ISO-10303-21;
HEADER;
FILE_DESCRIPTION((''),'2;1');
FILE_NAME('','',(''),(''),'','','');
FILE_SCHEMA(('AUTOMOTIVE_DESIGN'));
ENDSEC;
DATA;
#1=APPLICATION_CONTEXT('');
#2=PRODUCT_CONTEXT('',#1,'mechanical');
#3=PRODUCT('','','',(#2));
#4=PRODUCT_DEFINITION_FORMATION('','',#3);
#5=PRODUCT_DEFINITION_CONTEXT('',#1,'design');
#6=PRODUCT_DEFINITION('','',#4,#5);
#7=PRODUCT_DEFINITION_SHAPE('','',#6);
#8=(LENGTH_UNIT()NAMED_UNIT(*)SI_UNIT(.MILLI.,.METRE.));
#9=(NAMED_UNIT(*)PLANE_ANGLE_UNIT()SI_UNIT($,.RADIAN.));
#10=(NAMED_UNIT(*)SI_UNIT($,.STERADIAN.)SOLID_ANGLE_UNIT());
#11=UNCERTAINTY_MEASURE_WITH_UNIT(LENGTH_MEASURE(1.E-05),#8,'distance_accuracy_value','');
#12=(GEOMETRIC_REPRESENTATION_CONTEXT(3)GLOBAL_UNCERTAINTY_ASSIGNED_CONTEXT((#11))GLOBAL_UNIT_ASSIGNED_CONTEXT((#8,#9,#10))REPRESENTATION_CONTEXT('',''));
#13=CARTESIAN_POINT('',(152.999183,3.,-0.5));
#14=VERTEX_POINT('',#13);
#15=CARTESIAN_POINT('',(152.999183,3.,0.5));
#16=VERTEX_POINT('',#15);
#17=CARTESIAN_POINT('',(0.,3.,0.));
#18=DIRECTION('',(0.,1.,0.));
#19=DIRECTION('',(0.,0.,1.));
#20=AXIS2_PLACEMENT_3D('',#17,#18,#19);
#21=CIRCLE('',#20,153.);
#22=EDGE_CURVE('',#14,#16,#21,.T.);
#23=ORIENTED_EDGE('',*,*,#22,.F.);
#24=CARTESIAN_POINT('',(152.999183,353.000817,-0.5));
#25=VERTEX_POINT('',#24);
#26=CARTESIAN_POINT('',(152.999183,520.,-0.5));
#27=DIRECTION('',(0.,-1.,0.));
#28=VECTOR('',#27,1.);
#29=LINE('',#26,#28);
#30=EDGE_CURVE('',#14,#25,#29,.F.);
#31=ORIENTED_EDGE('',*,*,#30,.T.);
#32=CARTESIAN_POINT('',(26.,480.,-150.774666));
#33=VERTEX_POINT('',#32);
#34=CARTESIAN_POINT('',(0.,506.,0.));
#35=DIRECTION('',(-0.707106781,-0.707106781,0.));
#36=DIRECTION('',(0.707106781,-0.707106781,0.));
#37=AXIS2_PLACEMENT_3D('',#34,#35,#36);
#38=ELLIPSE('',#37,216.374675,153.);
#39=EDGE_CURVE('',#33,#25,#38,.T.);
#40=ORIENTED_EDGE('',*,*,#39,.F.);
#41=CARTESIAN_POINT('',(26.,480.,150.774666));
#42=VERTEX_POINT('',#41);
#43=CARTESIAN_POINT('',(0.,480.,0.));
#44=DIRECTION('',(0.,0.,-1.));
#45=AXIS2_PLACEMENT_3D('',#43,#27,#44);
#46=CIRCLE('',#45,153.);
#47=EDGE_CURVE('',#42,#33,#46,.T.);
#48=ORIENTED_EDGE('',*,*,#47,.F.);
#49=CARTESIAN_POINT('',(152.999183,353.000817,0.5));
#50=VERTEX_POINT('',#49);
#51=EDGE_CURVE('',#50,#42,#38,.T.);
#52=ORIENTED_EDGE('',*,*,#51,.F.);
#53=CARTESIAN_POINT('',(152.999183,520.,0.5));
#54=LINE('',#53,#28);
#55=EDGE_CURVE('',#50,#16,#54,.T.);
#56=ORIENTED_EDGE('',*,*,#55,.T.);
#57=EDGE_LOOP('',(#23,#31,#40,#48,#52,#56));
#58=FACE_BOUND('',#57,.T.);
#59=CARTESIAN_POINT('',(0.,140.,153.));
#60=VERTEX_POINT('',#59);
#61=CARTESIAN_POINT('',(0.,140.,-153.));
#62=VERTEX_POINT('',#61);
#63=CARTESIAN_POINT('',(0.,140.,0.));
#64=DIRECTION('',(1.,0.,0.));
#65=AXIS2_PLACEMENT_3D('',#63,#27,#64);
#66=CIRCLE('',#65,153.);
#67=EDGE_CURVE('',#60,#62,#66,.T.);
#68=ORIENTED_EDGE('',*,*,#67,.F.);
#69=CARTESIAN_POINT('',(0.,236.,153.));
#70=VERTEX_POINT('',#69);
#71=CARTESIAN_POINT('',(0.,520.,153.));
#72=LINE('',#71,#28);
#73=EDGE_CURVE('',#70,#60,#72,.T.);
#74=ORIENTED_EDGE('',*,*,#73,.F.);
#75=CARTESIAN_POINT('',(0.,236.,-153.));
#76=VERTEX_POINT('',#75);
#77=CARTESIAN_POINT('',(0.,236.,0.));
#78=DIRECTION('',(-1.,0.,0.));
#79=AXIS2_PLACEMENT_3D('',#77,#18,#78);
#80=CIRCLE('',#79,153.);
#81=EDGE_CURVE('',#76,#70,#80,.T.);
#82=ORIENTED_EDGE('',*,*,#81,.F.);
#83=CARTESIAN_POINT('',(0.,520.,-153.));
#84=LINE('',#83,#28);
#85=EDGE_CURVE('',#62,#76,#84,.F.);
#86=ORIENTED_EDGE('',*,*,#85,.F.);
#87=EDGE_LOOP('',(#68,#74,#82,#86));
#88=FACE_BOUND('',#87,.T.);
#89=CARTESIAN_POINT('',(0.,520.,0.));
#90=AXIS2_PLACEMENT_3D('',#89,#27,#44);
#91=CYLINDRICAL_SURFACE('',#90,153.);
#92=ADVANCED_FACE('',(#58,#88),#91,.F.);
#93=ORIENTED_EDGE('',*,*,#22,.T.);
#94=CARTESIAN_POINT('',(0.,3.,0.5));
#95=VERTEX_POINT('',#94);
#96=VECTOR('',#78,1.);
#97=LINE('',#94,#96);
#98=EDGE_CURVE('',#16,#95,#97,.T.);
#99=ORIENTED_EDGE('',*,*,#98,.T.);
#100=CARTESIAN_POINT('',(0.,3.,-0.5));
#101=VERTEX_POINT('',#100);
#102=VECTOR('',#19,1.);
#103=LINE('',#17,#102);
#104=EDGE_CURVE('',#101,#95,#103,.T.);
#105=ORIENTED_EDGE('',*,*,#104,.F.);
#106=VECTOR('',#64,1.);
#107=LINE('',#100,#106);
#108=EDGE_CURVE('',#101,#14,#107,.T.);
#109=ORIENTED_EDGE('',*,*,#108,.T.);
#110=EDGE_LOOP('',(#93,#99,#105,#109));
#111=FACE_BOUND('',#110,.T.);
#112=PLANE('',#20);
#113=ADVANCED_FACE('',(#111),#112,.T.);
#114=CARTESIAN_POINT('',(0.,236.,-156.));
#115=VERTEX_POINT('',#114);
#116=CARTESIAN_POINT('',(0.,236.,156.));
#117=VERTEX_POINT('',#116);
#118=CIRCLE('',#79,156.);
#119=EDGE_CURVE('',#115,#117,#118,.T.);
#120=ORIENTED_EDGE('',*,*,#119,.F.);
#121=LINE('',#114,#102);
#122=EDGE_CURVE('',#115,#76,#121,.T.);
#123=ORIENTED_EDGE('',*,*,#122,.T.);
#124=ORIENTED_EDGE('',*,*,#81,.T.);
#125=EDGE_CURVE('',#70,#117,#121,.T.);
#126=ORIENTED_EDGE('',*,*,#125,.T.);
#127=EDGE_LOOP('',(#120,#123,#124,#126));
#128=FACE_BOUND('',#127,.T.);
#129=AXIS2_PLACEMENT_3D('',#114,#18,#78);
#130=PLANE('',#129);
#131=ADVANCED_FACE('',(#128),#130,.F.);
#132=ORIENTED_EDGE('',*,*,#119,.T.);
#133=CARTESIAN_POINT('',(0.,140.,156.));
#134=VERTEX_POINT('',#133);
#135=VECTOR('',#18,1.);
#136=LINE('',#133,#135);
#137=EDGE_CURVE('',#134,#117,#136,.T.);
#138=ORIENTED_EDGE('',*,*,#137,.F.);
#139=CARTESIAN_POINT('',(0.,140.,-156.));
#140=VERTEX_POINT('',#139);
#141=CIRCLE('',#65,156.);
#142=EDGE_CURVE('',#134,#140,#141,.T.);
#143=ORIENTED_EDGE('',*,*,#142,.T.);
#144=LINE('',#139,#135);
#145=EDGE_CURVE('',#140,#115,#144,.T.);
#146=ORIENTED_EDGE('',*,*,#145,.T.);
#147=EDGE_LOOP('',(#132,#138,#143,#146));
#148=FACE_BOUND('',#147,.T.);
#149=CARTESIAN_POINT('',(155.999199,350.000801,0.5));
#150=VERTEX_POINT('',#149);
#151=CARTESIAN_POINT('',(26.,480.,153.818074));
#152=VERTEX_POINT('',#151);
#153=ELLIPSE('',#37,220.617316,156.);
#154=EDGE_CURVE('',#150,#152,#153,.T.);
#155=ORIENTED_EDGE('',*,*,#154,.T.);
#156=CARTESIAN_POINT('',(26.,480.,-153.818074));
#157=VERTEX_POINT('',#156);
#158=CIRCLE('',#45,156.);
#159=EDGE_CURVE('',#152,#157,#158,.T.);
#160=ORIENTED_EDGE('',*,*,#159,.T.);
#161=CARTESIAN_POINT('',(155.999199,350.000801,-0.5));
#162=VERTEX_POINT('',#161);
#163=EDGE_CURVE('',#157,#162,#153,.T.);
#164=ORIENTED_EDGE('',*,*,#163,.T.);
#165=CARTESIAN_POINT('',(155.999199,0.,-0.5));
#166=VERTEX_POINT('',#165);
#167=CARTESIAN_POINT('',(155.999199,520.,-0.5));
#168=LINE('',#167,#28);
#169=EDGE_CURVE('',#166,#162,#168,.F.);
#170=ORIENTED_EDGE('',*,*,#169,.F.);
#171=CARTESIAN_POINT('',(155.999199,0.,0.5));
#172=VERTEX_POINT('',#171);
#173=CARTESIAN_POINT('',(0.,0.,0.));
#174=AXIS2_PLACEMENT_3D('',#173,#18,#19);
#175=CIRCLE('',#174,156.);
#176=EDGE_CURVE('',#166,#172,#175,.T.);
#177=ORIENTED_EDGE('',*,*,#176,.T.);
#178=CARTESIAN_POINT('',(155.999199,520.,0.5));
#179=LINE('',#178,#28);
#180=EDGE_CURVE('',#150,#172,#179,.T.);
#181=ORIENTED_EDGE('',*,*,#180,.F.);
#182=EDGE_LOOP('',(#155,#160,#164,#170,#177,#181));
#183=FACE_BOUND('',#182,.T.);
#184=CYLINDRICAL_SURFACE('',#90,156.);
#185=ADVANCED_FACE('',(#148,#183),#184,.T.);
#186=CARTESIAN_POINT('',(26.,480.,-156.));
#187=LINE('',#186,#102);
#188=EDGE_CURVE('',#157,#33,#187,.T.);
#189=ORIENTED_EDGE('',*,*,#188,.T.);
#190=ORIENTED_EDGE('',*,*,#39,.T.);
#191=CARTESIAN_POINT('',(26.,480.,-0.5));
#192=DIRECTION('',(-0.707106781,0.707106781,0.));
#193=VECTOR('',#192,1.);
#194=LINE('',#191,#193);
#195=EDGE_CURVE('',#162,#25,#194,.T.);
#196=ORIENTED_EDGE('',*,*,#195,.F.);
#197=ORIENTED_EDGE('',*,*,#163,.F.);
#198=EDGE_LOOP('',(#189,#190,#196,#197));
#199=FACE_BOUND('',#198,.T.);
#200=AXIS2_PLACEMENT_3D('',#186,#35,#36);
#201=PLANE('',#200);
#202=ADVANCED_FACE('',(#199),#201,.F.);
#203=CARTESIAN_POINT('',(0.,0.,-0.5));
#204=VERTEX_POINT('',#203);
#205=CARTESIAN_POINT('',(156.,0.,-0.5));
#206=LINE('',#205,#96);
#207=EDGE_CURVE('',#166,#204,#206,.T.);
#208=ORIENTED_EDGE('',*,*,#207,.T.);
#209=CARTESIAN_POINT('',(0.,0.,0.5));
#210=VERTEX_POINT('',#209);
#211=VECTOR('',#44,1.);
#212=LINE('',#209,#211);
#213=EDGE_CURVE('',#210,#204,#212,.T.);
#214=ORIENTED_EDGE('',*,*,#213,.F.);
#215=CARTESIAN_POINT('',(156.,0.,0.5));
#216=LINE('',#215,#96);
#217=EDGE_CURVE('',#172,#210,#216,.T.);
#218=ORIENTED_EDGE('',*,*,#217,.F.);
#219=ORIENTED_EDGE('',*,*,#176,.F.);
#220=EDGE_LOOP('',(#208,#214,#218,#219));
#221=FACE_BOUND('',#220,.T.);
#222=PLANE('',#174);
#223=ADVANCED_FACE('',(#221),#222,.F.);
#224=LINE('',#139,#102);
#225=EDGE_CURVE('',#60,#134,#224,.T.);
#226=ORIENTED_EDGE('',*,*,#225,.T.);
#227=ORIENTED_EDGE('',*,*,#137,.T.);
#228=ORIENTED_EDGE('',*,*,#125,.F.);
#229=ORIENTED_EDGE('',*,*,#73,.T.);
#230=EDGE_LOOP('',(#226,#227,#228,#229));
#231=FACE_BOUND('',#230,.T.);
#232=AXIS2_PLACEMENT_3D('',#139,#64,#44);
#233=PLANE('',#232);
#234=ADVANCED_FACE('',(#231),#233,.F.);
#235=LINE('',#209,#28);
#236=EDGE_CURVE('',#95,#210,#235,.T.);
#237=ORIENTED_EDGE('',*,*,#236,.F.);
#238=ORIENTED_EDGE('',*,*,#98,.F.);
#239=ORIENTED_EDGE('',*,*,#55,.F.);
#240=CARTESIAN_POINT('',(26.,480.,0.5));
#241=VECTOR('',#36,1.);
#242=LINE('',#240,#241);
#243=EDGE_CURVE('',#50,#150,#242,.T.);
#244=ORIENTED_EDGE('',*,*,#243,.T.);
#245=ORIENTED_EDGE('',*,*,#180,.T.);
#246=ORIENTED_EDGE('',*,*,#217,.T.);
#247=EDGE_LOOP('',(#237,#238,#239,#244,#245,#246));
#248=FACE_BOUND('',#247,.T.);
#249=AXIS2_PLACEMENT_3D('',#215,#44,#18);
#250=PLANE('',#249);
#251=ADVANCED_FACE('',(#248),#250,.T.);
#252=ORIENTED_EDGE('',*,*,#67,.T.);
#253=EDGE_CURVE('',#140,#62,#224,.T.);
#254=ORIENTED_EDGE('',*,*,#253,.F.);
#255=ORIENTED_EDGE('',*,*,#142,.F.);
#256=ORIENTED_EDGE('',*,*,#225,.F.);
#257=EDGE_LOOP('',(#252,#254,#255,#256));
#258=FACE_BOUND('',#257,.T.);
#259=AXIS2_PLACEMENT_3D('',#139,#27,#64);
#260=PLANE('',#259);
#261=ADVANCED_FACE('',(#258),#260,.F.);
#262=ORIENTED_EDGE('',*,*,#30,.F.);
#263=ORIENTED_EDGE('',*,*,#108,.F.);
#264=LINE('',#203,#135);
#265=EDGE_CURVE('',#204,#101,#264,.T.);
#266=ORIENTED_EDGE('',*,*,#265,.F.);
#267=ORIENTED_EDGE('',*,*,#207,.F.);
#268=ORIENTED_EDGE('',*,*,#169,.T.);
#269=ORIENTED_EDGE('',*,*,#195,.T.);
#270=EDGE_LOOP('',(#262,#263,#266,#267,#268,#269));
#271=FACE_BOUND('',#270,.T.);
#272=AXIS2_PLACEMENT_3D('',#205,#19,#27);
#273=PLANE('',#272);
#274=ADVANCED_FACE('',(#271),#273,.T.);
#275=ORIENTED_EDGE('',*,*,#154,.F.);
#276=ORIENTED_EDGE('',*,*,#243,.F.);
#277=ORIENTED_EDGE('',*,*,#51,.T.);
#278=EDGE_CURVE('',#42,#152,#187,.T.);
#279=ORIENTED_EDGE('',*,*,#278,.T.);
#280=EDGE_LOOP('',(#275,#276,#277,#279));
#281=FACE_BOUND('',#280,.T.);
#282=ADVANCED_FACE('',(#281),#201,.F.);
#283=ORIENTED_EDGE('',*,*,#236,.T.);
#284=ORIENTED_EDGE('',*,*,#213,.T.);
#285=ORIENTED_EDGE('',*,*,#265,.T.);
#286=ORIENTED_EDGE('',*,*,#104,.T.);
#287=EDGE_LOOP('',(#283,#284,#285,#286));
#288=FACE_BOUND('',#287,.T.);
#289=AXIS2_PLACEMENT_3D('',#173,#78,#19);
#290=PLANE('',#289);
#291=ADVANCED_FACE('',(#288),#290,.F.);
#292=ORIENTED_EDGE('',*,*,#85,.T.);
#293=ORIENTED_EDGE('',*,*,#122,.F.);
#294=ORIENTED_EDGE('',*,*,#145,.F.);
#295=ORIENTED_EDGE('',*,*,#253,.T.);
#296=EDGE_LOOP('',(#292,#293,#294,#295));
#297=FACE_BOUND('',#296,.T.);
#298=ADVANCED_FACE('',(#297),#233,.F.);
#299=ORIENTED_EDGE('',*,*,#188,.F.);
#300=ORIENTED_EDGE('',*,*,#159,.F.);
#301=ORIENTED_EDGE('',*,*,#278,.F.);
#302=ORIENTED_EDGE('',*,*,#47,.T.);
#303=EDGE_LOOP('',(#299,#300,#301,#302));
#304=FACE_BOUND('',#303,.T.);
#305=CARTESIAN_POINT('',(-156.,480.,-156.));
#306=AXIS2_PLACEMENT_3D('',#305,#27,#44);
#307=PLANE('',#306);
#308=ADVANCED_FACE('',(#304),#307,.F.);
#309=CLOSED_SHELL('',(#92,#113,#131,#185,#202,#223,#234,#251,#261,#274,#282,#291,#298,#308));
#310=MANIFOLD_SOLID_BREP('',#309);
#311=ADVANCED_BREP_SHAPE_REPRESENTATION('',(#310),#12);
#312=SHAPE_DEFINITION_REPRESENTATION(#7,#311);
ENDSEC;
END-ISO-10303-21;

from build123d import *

# Parameters (mm, degrees)
ESQUISSE1_R                  = 156
BOSS_EXTRU_1_DEPTH           = 520
COQUE1_T                     = 3
ENL_V_MAT_EXTRU_1_DEPTH      = 565.864585542
ENL_V_MAT_EXTRU_1_DEPTH_BACK = 565.864585542
ESQUISSE3_W                  = 1
ESQUISSE3_H                  = 353.000816996
ENL_V_MAT_EXTRU_2_DEPTH      = 529.272656873


with BuildPart() as part:
    # Esquisse1 → Boss.-Extru.1 (new body)
    with BuildSketch(Plane(origin=(0, 0, 0), x_dir=(1, 0, 0), z_dir=(0, 1, 0))):
        with Locations(Location((0, 0, 0), (0, 0, 270))):
            Circle(ESQUISSE1_R)
    extrude(amount=BOSS_EXTRU_1_DEPTH)

    # Coque1 (no face opened: a closed hollow body)
    add(offset(amount=-COQUE1_T, mode=Mode.PRIVATE), mode=Mode.SUBTRACT)

    # Esquisse2 → Enlèv. mat.-Extru.1 (cut, two sides: drawn at the far end of the back side and taken through both)
    with BuildSketch(Plane.XY.offset(-ENL_V_MAT_EXTRU_1_DEPTH_BACK)):
        Polygon((0, 140), (-156.821895425, 140), (-156, 236), (0, 236), align=None)
        Polygon((-156, 520), (-156, 480), (26, 480), (156, 350), (156, 520), align=None)
    extrude(amount=ENL_V_MAT_EXTRU_1_DEPTH + ENL_V_MAT_EXTRU_1_DEPTH_BACK, mode=Mode.SUBTRACT)

    # Esquisse3 → Enlèv. mat.-Extru.2 (cut, through all)
    with BuildSketch(Plane(origin=(0, 0, 0), x_dir=(0, 0, -1), z_dir=(1, 0, 0))):
        with Locations((0, 176.500408498)):
            Rectangle(ESQUISSE3_W, ESQUISSE3_H)
    extrude(amount=ENL_V_MAT_EXTRU_2_DEPTH, mode=Mode.SUBTRACT)


solid = part.part
